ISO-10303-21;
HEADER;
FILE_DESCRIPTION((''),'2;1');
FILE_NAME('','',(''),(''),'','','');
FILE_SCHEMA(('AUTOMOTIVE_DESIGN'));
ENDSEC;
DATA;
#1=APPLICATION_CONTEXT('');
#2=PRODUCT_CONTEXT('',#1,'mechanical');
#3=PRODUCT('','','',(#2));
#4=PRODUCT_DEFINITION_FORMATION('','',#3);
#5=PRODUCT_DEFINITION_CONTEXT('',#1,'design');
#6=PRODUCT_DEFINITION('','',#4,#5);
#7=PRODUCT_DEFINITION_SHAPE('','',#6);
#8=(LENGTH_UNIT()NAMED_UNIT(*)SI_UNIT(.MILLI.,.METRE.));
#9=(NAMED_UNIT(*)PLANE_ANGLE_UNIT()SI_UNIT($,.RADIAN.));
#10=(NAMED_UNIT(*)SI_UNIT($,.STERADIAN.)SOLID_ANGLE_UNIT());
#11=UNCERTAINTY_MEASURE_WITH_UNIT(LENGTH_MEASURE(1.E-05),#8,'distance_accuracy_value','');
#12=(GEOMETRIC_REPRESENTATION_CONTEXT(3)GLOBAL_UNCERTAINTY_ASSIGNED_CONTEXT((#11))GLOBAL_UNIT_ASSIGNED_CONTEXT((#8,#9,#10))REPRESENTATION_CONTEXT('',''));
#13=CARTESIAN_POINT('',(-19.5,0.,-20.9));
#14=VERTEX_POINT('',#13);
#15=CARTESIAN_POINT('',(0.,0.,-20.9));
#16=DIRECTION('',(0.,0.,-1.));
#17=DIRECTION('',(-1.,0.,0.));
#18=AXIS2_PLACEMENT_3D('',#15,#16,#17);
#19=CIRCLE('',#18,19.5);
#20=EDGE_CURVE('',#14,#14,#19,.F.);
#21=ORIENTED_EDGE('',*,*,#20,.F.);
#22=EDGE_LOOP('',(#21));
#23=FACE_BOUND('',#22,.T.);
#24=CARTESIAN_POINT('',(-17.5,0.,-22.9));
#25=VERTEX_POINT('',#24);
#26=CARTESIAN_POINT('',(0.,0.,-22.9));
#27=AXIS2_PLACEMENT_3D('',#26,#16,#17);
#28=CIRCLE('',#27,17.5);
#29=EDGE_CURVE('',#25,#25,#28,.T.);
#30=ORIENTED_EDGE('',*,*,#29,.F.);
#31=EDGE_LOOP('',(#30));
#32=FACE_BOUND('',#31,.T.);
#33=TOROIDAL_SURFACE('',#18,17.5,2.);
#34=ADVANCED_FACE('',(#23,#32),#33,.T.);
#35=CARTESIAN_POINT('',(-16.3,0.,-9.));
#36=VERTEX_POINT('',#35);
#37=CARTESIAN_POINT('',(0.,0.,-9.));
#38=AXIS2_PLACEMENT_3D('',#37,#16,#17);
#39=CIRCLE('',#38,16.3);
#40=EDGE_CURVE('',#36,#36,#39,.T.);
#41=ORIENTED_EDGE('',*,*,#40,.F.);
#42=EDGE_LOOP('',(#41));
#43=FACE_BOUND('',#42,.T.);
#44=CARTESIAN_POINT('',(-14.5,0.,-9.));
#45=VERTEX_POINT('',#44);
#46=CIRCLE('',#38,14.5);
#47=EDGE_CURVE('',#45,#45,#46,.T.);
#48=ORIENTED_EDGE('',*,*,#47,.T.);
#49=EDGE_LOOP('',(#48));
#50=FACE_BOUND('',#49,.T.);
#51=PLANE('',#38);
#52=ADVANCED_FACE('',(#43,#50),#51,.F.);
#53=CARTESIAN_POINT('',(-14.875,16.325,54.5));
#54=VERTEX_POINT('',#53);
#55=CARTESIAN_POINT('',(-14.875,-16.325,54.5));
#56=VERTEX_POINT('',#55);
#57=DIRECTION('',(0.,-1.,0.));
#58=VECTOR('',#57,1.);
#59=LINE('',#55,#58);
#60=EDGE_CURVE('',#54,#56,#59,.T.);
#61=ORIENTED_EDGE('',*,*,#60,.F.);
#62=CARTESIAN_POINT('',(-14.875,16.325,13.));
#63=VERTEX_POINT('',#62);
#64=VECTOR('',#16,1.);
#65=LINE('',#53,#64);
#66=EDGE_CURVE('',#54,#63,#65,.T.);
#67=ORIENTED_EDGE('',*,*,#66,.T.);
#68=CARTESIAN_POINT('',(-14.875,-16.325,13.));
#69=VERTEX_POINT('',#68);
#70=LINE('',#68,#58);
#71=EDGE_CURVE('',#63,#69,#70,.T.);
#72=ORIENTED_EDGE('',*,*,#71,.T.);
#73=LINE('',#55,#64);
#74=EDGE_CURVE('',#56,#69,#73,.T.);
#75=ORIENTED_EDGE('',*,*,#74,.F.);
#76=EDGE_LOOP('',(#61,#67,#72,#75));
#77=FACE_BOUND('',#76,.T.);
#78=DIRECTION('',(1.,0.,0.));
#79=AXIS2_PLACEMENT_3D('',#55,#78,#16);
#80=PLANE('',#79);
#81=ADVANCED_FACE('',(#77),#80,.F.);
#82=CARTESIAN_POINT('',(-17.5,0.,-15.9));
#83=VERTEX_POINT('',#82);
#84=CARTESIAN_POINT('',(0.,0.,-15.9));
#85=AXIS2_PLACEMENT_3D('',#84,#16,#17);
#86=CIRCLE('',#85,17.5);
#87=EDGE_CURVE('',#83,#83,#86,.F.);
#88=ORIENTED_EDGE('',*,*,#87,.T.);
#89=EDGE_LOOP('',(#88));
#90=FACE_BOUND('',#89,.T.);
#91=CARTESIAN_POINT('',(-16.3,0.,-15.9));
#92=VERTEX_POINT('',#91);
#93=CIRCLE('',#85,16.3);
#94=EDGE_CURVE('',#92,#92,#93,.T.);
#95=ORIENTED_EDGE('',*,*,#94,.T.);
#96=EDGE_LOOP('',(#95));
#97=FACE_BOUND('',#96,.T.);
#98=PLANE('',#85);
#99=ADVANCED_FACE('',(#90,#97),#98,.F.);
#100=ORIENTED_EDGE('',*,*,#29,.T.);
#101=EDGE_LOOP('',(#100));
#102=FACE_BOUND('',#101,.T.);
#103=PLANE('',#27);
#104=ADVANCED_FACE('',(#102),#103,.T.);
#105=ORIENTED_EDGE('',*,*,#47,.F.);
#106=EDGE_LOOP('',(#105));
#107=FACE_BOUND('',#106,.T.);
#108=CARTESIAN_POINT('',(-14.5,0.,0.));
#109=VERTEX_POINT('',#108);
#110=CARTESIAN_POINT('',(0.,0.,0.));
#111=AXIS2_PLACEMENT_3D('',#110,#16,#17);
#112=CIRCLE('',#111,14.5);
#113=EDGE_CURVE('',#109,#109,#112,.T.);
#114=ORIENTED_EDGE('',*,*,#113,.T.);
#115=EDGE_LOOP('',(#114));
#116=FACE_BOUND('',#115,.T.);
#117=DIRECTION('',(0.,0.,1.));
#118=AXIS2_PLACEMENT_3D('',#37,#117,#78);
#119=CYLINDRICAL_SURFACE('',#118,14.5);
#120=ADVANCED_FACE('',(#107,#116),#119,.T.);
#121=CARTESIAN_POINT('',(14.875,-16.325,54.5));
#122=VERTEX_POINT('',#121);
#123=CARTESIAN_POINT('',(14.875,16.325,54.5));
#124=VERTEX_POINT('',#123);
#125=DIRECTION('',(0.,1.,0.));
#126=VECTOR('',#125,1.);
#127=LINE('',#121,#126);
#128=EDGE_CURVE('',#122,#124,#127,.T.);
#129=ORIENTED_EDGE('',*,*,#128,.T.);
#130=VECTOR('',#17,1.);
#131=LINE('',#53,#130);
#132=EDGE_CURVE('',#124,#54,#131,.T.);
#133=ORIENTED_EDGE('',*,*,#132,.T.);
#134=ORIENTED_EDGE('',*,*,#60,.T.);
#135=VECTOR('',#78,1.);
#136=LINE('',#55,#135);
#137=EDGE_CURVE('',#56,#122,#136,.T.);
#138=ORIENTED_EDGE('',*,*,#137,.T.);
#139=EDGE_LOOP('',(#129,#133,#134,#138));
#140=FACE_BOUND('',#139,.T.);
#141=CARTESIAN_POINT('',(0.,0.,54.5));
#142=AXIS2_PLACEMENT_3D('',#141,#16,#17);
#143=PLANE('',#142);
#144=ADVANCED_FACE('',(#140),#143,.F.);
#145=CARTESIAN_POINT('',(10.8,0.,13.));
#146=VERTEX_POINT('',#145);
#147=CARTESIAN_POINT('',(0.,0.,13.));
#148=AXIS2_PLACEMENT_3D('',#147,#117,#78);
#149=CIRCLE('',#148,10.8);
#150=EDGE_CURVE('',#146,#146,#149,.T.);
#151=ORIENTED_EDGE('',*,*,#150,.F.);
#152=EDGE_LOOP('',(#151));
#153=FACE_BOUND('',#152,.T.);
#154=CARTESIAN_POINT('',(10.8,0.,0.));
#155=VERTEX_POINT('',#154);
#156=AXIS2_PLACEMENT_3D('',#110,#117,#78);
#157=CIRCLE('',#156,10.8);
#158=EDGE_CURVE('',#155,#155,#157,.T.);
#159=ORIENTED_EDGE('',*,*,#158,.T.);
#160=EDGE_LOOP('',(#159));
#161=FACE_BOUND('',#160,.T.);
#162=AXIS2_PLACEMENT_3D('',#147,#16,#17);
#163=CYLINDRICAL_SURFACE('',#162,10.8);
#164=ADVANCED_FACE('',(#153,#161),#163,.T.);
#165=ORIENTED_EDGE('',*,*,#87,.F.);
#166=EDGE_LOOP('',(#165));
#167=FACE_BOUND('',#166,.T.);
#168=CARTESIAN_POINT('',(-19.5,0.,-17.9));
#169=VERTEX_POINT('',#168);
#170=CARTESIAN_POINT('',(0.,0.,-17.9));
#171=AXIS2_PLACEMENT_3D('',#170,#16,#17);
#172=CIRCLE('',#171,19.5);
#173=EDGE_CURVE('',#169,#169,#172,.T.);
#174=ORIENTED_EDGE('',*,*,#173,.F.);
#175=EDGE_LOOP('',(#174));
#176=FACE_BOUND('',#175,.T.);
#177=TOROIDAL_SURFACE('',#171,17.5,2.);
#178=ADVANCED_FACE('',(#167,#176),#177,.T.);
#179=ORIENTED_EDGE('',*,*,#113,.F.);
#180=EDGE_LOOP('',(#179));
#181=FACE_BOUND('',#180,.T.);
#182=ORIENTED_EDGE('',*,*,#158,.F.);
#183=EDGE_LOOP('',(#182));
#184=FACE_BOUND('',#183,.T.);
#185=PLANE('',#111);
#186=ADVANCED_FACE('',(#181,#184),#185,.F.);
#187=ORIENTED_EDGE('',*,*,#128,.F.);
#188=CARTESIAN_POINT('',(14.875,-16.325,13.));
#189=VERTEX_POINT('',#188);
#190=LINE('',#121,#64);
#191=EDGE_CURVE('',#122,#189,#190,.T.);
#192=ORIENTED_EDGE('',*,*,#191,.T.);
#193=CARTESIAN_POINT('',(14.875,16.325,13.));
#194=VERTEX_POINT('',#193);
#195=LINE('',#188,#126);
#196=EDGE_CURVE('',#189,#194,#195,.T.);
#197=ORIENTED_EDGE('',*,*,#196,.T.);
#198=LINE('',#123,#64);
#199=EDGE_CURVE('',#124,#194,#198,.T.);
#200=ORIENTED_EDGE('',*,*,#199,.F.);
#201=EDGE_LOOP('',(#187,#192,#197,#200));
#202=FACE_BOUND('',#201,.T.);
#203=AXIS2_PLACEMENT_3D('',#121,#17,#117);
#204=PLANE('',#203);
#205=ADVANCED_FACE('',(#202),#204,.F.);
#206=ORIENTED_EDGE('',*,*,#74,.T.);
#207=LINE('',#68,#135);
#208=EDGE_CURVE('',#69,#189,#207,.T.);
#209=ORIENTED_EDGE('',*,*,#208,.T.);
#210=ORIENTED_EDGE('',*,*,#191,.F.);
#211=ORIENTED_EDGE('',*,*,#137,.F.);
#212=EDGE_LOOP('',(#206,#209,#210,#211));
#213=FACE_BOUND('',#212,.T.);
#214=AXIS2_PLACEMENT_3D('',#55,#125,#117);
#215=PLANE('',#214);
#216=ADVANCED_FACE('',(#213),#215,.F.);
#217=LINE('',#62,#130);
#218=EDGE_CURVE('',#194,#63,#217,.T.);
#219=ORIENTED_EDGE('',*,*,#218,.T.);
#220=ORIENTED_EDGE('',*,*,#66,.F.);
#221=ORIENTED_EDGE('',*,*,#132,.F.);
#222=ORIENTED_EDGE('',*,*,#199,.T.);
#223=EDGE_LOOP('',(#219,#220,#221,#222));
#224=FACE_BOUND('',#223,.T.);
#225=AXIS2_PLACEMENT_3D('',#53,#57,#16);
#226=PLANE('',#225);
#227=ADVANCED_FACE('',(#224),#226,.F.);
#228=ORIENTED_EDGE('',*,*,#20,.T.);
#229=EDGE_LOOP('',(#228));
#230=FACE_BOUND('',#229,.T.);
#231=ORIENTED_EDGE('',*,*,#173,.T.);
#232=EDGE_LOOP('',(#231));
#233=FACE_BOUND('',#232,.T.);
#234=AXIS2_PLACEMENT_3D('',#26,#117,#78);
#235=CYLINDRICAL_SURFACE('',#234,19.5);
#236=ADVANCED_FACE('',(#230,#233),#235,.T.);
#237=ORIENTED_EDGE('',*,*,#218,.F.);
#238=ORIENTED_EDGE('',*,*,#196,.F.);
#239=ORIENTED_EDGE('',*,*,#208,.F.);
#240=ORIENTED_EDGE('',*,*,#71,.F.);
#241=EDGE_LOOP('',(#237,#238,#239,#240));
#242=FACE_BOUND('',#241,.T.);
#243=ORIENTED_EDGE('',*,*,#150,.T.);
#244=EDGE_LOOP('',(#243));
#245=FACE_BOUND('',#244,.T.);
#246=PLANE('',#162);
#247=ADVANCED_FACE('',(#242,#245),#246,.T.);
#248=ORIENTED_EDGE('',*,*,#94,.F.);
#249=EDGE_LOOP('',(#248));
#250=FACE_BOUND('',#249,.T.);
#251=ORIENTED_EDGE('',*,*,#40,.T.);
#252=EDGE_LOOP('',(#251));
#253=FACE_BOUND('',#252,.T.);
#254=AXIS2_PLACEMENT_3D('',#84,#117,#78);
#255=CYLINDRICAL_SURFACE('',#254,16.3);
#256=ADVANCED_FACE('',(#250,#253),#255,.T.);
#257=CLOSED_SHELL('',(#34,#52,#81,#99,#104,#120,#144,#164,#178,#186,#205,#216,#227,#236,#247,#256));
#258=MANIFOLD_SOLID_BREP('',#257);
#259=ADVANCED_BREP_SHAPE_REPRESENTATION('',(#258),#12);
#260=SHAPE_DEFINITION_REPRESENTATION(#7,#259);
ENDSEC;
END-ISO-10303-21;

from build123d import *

# Parameters (mm, degrees)
SKETCH1_R           = 10.8
BOSS_EXTRUDE1_DEPTH = 13
SKETCH2_R           = 14.5
BOSS_EXTRUDE2_DEPTH = 9
SKETCH3_R           = 16.3
BOSS_EXTRUDE3_DEPTH = 6.9
SKETCH4_R           = 19.5
BOSS_EXTRUDE4_DEPTH = 7
FILLET1_R           = 2
SKETCH5_W           = 29.75
SKETCH5_H           = 32.65
BOSS_EXTRUDE5_DEPTH = 41.5


with BuildPart() as part:
    # Sketch1 → Boss-Extrude1 (new body)
    with BuildSketch(Plane.XY):
        Circle(SKETCH1_R)
    extrude(amount=BOSS_EXTRUDE1_DEPTH)

    # Sketch2 → Boss-Extrude2 (add)
    with BuildSketch(Plane(origin=(0, 0, 0), x_dir=(-1, 0, 0), z_dir=(0, 0, -1))):
        Circle(SKETCH2_R)
    extrude(amount=BOSS_EXTRUDE2_DEPTH)

    # Sketch3 → Boss-Extrude3 (add)
    with BuildSketch(Plane(origin=(0, 0, -9), x_dir=(-1, 0, 0), z_dir=(0, 0, -1))):
        Circle(SKETCH3_R)
    extrude(amount=BOSS_EXTRUDE3_DEPTH)

    # Sketch4 → Boss-Extrude4 (add)
    with BuildSketch(Plane(origin=(0, 0, -15.9), x_dir=(-1, 0, 0), z_dir=(0, 0, -1))):
        Circle(SKETCH4_R)
    extrude(amount=BOSS_EXTRUDE4_DEPTH)

    # Fillet1
    fillet1_edges = [part.edges().sort_by_distance(p)[0] for p in [
        (19.5, 0, -15.9),
        (19.5, 0, -22.9),
    ]]
    fillet(fillet1_edges, radius=FILLET1_R)

    # Sketch5 → Boss-Extrude5 (add)
    with BuildSketch(Plane.XY.offset(13)):
        Rectangle(SKETCH5_W, SKETCH5_H)
    extrude(amount=BOSS_EXTRUDE5_DEPTH)


solid = part.part
